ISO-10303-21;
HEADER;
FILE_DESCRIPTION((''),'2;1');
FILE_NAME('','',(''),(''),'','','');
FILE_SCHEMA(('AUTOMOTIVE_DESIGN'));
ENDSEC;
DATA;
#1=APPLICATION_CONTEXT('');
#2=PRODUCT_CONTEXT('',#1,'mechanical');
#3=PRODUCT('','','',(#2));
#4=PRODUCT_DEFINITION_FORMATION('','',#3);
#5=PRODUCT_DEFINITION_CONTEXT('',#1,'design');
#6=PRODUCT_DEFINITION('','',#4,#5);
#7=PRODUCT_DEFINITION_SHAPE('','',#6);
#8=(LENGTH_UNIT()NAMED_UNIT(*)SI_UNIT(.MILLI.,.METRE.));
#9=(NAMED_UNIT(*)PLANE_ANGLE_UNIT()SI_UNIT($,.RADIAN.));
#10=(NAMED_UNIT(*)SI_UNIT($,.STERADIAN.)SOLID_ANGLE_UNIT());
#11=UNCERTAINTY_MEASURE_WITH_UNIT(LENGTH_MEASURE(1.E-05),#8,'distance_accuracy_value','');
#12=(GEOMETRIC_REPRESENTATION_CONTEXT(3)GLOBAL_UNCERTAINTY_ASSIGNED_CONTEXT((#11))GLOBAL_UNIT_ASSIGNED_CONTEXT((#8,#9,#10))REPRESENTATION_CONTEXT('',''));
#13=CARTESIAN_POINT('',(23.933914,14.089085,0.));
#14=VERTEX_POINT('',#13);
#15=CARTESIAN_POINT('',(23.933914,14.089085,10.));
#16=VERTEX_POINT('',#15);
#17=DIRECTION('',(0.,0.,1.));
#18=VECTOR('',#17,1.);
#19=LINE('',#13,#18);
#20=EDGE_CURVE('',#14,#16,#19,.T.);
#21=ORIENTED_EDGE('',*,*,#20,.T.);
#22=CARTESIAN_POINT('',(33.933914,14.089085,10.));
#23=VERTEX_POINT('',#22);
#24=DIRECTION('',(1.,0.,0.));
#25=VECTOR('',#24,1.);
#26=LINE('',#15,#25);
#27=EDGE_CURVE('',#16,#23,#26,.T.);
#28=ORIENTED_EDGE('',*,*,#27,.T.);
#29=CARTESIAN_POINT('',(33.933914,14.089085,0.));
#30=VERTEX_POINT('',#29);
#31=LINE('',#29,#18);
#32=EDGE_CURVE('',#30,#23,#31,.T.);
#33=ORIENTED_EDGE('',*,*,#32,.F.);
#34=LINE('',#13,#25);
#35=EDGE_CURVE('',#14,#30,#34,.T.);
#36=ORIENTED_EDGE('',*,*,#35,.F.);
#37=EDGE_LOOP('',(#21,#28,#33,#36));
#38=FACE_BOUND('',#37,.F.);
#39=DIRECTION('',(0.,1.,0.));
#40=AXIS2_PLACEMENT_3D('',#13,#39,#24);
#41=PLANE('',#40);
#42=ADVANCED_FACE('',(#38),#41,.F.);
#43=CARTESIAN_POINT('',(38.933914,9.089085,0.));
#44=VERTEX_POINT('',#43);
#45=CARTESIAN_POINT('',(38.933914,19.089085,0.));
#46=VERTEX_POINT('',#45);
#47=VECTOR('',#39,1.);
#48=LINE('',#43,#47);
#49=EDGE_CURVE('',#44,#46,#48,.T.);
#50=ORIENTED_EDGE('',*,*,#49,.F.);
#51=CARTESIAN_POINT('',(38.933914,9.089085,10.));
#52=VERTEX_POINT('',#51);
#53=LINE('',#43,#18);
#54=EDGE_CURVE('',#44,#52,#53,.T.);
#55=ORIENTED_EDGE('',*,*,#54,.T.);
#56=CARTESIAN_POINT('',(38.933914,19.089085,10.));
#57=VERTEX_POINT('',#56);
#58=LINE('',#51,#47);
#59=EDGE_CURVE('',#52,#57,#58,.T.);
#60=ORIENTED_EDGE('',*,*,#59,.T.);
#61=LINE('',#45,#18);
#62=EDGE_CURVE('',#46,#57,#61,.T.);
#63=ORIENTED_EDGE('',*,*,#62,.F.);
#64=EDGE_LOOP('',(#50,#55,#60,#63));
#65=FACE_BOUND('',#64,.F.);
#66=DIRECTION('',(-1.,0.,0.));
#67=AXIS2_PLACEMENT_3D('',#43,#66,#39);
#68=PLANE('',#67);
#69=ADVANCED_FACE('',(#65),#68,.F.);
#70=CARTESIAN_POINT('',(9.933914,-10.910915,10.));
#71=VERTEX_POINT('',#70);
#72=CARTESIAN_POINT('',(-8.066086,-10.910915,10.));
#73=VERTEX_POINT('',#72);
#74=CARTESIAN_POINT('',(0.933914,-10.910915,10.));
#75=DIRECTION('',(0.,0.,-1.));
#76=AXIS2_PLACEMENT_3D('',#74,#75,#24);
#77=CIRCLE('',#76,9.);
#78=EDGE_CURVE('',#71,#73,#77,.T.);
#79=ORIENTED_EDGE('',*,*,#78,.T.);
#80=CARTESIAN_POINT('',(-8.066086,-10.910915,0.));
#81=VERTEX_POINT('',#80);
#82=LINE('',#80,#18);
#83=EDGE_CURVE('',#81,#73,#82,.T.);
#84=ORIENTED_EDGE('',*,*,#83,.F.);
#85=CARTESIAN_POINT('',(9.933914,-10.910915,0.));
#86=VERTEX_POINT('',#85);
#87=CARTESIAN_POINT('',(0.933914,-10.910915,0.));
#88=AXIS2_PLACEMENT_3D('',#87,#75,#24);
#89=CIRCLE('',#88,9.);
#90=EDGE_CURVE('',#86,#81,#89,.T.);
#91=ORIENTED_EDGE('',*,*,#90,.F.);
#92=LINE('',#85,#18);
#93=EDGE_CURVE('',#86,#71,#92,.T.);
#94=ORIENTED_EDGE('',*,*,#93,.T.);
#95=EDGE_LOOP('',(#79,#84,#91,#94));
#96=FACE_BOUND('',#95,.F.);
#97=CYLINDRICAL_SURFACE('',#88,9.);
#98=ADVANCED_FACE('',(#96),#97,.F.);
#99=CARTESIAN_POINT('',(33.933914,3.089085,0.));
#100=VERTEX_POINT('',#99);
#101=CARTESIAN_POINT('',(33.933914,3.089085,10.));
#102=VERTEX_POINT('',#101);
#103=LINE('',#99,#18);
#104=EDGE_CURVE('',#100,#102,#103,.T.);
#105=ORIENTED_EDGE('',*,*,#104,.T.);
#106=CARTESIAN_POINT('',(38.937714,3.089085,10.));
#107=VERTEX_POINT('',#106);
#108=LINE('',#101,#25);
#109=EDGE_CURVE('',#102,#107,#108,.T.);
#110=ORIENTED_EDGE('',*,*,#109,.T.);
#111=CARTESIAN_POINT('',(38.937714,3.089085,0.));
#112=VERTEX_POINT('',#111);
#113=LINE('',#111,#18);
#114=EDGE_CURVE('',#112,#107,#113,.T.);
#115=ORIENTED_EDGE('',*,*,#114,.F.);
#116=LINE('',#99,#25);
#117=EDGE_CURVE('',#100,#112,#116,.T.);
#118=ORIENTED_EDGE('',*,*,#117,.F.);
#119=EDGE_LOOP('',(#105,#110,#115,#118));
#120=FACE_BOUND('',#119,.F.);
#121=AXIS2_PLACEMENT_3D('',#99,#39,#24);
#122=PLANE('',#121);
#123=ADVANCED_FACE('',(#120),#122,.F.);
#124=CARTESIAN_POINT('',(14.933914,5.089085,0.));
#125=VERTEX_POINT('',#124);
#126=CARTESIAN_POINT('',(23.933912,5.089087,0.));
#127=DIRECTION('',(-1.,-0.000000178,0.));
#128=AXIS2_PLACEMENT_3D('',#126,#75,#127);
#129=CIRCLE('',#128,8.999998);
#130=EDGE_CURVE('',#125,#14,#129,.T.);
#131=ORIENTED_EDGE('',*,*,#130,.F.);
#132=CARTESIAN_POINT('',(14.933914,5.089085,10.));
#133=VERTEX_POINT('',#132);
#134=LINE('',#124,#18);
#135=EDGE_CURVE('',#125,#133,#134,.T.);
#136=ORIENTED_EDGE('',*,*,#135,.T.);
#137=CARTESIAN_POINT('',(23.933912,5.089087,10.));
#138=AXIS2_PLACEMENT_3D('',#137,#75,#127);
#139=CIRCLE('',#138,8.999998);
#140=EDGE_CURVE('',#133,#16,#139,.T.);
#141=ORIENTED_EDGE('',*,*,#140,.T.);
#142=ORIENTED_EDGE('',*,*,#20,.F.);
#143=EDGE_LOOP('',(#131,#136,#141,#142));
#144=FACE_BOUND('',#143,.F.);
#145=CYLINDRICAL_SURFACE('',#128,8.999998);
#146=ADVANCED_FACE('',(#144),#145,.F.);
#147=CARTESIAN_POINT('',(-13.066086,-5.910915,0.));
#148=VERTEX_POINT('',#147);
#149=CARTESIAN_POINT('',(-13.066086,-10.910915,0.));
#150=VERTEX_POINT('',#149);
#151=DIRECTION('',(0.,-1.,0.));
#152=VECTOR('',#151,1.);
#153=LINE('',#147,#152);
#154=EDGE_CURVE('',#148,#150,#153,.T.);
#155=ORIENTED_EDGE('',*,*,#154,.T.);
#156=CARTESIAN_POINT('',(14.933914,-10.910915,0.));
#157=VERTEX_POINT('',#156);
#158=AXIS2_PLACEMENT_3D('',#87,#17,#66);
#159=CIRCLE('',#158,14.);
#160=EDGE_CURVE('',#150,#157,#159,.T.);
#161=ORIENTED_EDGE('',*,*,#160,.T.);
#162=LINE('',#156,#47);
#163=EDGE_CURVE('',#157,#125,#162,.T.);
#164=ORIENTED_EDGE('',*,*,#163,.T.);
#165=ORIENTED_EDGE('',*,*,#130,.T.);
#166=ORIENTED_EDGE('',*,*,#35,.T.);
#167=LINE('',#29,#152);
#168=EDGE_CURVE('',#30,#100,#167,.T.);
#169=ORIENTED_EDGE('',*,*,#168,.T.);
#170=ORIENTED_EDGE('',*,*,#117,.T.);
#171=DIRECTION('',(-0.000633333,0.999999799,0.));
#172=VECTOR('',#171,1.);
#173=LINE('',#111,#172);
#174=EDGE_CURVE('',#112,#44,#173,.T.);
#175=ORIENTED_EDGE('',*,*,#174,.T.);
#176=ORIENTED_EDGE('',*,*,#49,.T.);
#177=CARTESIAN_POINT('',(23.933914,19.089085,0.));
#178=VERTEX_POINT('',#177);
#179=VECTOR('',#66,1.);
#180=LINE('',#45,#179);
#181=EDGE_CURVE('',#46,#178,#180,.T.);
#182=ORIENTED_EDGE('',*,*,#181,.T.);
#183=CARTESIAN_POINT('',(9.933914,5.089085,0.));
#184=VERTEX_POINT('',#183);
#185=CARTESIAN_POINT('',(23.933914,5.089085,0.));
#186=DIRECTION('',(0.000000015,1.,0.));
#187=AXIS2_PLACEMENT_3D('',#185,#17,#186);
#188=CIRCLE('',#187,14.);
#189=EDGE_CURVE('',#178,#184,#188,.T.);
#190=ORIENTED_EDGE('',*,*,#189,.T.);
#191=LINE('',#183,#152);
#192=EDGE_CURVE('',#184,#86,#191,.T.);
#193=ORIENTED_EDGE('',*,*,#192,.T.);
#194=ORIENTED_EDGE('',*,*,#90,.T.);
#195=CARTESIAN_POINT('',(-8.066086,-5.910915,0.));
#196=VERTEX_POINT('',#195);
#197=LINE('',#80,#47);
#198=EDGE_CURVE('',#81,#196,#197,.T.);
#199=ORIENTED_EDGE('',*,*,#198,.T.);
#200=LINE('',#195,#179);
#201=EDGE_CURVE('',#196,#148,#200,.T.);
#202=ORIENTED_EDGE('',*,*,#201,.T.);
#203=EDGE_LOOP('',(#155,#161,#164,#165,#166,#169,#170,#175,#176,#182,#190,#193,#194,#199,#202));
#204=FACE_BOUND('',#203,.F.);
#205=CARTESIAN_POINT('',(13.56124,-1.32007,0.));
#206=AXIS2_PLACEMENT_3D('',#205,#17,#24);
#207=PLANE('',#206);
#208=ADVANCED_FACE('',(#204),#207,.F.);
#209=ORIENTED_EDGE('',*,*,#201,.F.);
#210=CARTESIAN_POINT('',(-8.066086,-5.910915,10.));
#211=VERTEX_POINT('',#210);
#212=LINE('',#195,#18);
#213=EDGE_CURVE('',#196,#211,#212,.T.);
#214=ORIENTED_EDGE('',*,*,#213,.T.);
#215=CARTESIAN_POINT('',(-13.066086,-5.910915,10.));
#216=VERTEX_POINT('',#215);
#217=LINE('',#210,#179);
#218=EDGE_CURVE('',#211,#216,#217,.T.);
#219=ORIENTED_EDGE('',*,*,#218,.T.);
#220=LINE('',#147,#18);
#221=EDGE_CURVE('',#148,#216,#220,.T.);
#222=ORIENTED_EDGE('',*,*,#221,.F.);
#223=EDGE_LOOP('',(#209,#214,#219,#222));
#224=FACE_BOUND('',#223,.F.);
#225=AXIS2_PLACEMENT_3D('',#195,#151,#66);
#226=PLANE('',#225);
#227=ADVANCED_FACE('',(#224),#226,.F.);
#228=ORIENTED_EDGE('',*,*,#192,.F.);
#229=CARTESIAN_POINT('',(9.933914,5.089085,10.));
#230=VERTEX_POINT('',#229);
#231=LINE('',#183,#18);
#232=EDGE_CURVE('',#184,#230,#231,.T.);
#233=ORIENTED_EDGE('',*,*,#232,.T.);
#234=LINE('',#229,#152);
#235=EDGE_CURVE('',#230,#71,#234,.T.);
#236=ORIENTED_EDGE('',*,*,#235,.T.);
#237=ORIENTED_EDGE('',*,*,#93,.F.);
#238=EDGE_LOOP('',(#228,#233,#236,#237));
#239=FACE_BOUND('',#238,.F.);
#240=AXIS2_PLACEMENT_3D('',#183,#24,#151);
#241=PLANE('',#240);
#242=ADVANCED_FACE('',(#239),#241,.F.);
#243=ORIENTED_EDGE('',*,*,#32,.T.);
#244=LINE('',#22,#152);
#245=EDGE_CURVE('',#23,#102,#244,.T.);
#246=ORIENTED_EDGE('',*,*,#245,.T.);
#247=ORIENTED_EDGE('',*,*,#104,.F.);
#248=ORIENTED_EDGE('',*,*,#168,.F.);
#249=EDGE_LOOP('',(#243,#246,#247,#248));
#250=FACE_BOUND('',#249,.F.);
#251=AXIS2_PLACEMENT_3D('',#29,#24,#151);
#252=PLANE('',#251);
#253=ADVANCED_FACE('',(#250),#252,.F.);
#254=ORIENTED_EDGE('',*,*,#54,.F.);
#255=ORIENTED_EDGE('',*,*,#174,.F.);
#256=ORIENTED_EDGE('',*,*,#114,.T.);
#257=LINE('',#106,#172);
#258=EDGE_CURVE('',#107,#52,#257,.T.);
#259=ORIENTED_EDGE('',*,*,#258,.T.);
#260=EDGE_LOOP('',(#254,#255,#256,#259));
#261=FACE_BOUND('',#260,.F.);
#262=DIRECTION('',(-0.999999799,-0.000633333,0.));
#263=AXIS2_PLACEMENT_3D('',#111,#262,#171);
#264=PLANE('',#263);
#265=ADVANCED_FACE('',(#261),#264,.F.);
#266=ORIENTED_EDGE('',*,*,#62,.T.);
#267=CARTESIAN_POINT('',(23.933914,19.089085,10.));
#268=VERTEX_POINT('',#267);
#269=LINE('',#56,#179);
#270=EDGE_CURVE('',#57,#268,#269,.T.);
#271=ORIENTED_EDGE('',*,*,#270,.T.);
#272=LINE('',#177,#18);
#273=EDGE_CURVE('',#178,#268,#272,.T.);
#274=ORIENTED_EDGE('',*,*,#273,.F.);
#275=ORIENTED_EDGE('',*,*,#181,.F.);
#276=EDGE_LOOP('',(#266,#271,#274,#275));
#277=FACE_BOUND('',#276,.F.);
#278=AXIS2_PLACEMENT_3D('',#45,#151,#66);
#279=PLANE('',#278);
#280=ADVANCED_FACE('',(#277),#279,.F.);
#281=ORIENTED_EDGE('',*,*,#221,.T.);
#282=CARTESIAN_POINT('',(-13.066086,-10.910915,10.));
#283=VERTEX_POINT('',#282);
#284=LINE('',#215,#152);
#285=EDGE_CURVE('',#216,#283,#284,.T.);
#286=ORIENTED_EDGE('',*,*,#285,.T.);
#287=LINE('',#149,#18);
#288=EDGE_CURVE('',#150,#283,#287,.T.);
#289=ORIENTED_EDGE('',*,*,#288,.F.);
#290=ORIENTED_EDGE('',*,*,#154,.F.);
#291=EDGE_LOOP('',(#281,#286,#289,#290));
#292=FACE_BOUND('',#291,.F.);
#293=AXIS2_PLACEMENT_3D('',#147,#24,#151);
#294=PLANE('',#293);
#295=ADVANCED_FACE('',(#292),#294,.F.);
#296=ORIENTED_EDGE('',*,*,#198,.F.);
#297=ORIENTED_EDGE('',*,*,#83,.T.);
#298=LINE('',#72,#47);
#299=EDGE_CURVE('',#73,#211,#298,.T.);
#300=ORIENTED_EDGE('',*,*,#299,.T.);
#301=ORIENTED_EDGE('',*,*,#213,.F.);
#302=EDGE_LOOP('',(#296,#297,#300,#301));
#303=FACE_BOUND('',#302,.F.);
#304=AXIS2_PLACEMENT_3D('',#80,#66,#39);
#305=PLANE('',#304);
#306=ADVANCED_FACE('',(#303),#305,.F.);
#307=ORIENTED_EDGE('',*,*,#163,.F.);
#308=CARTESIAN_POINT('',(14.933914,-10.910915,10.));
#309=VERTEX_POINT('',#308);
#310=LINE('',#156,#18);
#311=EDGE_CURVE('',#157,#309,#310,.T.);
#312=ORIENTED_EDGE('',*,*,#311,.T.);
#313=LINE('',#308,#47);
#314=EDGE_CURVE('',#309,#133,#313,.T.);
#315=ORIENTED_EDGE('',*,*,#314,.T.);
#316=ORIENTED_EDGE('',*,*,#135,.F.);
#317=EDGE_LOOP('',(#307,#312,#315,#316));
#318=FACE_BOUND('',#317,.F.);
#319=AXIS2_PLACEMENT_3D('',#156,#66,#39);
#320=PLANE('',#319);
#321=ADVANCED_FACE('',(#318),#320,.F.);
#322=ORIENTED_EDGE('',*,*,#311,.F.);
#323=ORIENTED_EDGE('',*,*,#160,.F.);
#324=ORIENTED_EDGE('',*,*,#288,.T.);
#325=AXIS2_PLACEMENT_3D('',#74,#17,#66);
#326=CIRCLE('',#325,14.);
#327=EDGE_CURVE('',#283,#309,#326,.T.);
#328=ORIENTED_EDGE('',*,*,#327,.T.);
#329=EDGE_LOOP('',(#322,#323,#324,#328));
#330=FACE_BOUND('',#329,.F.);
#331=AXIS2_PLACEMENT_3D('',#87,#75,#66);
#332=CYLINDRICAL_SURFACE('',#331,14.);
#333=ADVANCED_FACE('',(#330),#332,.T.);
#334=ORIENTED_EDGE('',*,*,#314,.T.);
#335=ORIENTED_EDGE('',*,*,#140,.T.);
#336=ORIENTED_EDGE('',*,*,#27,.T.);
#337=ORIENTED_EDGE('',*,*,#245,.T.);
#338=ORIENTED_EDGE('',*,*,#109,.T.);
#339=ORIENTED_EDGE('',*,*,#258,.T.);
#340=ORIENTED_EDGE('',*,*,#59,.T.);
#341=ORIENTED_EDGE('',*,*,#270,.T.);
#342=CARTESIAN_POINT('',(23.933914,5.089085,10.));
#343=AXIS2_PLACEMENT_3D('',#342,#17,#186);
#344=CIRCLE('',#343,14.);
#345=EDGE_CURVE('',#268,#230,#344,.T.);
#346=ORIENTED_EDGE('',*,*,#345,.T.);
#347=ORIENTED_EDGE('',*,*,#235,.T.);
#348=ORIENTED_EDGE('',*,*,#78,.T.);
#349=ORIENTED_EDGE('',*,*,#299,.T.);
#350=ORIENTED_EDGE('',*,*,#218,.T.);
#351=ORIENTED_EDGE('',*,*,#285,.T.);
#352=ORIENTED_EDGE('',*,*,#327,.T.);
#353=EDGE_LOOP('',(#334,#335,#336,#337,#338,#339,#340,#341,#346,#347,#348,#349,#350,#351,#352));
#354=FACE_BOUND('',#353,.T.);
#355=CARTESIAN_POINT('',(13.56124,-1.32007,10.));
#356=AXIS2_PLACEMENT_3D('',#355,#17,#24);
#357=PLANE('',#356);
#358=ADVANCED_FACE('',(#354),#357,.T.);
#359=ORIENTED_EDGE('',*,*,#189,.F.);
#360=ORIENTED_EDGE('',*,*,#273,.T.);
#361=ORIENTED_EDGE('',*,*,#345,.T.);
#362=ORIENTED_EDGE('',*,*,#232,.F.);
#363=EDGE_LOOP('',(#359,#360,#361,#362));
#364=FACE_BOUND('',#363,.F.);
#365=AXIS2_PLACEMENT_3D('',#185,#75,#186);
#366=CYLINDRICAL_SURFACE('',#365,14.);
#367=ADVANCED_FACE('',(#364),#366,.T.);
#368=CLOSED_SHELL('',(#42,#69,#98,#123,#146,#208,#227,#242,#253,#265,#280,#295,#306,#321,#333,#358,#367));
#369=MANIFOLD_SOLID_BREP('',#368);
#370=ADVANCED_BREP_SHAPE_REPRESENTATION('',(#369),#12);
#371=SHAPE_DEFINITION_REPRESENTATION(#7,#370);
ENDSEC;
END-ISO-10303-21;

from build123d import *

# Parameters (mm, degrees)
F1_DEPTH = 10


with BuildPart() as f1:
    # F0 (on Top) → F1 (new body)
    with BuildSketch(Plane.XY):
        with BuildLine():
            ThreePointArc((23.933914, 19.089085), (14.034419, 14.98858), (9.933914, 5.089085))
            Line((9.933914, 5.089085), (9.933914, -10.910915))
            ThreePointArc((9.933914, -10.910915), (0.933914, -19.910915), (-8.066086, -10.910915))
            Line((-8.066086, -10.910915), (-8.066086, -5.910915))
            Line((-8.066086, -5.910915), (-13.066086, -5.910915))
            Line((-13.066086, -5.910915), (-13.066086, -10.910915))
            ThreePointArc((-13.066086, -10.910915), (0.933914, -24.910915), (14.933914, -10.910915))
            Line((14.933914, -10.910915), (14.933914, 5.089085))
            ThreePointArc((14.933914, 5.089085), (17.569952, 11.453046), (23.933914, 14.089085))
            Line((23.933914, 14.089085), (33.933914, 14.089085))
            Line((33.933914, 14.089085), (33.933914, 3.089085))
            Line((33.933914, 3.089085), (38.937714, 3.089085))
            Line((38.937714, 3.089085), (38.933914, 9.089085))
            Line((38.933914, 9.089085), (38.933914, 19.089085))
            Line((38.933914, 19.089085), (23.933914, 19.089085))
        make_face()
    extrude(amount=F1_DEPTH)


solid = f1.part
